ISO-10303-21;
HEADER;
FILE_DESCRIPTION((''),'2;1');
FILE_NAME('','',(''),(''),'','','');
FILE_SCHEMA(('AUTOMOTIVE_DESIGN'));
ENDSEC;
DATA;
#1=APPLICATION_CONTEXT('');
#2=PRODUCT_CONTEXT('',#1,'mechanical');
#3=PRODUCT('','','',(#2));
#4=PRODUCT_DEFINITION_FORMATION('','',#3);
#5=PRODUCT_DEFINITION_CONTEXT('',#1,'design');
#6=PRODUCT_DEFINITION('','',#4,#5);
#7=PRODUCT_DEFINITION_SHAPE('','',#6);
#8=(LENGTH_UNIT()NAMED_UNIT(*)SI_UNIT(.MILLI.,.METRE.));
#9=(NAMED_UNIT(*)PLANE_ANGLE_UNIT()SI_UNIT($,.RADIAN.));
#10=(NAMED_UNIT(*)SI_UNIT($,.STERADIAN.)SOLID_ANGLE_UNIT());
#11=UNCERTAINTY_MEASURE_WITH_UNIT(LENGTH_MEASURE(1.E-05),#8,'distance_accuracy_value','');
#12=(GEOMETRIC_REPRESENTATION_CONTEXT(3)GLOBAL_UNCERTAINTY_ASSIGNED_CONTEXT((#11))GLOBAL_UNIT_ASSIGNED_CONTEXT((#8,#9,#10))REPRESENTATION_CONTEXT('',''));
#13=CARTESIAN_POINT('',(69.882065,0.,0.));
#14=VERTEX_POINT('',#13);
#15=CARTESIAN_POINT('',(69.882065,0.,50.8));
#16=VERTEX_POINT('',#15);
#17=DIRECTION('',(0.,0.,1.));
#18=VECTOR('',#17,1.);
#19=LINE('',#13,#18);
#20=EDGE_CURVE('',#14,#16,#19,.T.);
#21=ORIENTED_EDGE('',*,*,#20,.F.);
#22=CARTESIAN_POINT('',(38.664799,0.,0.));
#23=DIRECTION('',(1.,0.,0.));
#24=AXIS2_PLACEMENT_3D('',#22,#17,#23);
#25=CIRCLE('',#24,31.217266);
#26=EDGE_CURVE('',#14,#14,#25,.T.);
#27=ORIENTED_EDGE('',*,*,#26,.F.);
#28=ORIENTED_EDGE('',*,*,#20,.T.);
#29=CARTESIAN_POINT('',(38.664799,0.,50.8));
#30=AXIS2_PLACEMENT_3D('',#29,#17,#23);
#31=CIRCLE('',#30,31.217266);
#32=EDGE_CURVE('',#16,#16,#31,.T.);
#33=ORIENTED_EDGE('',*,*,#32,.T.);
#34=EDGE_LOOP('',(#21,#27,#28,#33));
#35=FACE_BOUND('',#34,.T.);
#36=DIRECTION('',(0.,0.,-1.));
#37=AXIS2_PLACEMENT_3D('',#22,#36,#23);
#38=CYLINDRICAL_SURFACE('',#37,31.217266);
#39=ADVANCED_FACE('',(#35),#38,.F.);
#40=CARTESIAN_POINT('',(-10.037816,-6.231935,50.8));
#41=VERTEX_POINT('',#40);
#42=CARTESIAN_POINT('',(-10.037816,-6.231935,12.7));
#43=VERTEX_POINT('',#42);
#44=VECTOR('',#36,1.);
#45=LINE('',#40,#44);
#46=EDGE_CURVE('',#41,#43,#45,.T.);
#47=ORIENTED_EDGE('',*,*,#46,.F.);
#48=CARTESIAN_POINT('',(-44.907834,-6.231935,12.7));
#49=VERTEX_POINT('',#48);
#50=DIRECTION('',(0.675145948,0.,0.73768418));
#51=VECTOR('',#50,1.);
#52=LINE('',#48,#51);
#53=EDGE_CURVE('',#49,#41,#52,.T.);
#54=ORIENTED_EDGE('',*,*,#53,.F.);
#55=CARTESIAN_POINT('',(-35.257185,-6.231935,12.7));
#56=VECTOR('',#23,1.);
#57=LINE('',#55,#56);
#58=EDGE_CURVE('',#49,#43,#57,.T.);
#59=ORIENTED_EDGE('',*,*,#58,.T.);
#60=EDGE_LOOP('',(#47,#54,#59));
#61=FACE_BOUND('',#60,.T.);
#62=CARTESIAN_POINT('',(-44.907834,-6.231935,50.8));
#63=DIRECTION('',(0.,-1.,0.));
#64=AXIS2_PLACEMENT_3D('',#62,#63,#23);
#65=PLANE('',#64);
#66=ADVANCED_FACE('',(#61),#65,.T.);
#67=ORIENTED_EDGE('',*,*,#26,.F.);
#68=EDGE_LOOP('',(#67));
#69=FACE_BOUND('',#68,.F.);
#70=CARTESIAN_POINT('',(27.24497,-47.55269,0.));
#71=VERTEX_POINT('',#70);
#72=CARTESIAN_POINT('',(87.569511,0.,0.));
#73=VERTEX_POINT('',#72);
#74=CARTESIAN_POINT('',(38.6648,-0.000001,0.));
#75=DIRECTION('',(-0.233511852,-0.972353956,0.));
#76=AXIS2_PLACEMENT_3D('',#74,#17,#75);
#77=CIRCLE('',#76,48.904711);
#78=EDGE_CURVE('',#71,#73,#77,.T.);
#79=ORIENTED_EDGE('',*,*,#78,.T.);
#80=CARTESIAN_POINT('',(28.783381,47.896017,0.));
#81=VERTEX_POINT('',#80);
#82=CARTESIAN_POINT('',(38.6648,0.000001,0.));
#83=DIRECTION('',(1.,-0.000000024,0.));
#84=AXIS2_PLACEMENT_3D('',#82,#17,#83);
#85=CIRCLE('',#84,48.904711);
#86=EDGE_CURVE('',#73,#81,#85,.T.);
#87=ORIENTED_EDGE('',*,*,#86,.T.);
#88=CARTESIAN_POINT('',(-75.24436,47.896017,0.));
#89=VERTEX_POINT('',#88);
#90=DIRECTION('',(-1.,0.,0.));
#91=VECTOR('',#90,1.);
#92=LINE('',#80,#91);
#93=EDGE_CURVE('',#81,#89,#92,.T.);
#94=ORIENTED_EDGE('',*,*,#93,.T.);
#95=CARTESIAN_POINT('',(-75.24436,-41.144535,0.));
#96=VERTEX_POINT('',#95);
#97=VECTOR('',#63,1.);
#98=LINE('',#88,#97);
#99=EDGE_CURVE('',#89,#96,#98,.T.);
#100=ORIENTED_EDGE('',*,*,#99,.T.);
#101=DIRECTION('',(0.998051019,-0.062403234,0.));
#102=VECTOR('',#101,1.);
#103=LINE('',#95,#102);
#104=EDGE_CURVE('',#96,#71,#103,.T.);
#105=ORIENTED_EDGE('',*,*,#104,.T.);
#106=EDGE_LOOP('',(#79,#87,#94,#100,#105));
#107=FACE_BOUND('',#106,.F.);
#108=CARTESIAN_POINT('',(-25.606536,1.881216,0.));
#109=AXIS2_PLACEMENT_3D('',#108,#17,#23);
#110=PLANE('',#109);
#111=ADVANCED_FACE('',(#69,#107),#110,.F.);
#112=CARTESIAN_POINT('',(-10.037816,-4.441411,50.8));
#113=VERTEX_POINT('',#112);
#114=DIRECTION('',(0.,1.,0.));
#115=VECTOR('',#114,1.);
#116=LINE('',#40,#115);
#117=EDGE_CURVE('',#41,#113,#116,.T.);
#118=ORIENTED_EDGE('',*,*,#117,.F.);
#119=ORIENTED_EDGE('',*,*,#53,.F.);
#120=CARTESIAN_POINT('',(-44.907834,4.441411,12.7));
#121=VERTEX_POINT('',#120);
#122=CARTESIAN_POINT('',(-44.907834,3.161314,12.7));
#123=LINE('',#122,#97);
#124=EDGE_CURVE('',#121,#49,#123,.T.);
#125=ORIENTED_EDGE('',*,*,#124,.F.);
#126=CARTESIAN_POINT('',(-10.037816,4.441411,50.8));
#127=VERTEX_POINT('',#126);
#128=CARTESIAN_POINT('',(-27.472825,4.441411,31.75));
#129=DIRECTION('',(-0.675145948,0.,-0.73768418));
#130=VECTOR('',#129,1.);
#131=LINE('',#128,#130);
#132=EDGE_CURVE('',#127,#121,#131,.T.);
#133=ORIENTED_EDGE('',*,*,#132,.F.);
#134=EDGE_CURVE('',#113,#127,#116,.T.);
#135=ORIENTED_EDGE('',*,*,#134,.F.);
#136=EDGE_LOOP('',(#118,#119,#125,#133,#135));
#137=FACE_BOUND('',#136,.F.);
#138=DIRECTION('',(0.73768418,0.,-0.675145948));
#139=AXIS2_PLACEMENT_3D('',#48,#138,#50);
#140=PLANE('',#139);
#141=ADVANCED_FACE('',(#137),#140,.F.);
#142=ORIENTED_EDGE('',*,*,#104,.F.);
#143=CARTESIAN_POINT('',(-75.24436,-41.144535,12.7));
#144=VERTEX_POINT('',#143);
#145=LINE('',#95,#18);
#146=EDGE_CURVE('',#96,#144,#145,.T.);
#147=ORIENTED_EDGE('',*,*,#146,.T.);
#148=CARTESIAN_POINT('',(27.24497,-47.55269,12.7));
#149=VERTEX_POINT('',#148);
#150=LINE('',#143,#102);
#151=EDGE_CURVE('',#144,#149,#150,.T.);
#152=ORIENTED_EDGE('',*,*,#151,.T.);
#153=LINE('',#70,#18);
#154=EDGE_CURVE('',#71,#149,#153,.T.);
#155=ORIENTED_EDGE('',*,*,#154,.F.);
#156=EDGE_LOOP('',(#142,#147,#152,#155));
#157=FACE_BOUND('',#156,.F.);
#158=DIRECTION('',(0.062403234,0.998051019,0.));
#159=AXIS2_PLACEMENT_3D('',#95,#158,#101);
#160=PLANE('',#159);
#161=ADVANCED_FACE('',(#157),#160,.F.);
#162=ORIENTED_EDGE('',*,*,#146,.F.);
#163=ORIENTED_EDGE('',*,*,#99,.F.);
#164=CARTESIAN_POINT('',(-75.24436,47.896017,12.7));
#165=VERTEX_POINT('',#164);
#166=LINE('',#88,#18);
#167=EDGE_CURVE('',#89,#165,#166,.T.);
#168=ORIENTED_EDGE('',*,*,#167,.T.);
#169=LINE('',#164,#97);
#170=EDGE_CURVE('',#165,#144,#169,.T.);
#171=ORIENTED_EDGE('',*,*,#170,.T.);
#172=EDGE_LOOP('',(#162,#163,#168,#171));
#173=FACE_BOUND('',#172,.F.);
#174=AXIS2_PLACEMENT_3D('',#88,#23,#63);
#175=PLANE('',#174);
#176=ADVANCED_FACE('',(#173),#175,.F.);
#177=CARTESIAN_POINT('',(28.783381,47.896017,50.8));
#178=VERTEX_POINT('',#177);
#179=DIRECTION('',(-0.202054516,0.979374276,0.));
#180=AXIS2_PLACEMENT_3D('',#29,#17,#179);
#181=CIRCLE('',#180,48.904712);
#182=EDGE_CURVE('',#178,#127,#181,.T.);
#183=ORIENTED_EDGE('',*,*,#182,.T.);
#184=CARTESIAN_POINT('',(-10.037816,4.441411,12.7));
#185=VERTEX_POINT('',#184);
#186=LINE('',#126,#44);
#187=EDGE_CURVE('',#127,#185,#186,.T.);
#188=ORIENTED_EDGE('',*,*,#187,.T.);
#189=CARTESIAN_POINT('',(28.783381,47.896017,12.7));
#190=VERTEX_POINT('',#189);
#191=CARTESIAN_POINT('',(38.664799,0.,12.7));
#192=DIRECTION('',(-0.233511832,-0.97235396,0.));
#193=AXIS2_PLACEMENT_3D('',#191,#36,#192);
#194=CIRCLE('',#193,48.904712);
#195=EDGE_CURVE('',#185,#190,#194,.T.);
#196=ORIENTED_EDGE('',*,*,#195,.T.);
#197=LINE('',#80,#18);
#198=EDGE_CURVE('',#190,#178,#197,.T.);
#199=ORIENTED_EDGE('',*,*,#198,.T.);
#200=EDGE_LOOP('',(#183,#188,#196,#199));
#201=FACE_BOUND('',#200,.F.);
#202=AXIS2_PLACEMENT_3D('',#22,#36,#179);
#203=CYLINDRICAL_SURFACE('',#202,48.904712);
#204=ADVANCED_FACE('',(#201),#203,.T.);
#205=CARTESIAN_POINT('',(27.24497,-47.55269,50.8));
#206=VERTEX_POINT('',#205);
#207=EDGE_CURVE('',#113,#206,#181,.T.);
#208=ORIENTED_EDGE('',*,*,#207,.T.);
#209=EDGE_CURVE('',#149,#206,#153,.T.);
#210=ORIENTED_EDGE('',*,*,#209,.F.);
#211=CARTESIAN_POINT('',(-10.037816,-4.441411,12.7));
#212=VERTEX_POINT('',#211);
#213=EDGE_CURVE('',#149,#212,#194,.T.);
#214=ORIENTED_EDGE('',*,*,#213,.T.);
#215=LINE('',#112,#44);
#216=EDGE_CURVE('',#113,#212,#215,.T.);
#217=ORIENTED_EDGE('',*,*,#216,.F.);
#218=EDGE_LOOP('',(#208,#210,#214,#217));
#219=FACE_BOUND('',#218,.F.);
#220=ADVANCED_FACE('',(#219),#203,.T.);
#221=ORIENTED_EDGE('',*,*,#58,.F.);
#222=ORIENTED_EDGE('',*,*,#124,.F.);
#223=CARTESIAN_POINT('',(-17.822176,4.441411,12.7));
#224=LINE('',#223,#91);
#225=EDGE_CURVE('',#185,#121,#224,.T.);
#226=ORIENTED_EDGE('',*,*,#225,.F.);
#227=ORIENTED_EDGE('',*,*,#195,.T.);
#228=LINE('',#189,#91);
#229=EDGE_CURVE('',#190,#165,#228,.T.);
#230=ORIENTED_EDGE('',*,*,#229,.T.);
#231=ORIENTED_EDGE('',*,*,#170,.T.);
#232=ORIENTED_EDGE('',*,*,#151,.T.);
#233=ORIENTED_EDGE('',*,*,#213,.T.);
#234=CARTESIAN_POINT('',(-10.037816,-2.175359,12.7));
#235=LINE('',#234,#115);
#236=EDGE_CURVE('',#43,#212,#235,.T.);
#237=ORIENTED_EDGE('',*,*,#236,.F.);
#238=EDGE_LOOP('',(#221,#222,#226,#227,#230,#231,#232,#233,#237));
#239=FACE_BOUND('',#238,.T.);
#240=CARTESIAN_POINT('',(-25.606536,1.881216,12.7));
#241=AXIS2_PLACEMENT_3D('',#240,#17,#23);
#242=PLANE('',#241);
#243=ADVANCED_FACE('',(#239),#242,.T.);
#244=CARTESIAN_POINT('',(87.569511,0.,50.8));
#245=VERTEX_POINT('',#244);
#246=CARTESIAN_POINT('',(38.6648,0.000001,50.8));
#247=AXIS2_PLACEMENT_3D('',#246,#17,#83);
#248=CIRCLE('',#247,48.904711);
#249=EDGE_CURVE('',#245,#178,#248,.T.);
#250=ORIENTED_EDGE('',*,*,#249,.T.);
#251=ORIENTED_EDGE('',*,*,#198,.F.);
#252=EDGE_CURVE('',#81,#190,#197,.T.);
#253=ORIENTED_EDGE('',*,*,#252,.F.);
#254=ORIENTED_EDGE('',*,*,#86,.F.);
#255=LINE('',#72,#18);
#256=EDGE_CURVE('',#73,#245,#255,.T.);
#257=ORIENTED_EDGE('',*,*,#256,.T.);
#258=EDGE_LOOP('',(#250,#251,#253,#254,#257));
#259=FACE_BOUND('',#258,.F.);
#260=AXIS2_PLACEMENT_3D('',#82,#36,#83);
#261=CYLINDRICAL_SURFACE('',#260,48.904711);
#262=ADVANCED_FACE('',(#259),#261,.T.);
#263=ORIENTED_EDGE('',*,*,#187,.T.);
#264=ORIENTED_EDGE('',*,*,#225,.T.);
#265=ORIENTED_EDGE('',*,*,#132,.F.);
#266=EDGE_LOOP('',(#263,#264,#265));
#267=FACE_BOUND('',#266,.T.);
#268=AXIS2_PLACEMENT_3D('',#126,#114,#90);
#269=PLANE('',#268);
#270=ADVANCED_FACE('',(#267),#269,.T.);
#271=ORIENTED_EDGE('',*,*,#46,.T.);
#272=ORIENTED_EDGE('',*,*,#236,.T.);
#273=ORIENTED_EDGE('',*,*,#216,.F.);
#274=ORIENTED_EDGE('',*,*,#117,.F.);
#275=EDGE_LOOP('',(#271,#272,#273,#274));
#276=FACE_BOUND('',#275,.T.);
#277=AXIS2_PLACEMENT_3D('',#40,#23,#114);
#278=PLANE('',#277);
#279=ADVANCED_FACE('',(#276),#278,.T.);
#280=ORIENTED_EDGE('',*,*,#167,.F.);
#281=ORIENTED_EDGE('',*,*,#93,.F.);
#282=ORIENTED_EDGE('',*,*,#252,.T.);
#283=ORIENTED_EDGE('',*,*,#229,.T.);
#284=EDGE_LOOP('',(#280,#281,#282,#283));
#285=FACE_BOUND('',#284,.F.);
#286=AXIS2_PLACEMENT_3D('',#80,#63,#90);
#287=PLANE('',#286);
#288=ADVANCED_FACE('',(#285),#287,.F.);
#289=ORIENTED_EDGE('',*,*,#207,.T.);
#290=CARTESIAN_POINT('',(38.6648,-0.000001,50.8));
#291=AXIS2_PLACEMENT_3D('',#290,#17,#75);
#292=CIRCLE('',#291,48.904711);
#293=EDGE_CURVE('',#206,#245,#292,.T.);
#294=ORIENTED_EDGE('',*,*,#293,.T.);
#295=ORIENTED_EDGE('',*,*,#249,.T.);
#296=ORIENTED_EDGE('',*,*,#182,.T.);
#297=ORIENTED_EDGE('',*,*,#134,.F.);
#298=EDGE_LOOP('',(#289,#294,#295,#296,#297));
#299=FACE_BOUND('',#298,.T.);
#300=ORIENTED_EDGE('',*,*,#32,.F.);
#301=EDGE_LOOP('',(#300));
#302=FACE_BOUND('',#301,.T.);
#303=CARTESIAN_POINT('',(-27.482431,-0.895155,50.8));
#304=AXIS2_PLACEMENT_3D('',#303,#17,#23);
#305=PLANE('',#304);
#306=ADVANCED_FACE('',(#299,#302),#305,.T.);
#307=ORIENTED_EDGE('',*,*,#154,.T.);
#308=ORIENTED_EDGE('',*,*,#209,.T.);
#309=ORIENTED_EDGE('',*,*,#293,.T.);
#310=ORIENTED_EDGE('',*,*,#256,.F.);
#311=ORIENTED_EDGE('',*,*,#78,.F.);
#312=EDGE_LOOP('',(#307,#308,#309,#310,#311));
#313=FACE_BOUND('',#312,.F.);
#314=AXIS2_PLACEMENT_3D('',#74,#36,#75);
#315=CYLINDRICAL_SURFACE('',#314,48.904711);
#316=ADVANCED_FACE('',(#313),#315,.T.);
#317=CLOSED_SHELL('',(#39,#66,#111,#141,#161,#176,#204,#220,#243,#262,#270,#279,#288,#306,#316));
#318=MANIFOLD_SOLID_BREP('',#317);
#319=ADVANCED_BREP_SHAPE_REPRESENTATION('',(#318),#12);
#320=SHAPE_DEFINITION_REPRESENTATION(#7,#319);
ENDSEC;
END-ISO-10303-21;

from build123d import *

# Parameters (mm, degrees)
F0_R     = 31.217266
F1_DEPTH = 50.8
F2_DEPTH = 12.7
F4_DEPTH = 38.862
F6_DEPTH = 177.8


with BuildPart() as f1:
    # F0 (on Top) → F1 (new body)
    with BuildSketch(Plane.XY):
        with BuildLine():
            ThreePointArc((27.24497, -47.55269), (68.940098, -38.406733), (87.569511, 0))
            ThreePointArc((87.569511, 0), (69.555113, 37.913842), (28.783381, 47.896017))
            ThreePointArc((28.783381, 47.896017), (-10.233562, 0.788128), (27.24497, -47.55269))
        make_face()
        with Locations((38.664799, 0)):
            Circle(F0_R, mode=Mode.SUBTRACT)
    extrude(amount=F1_DEPTH)

    # F0 (on Top) → F2 (join)
    with BuildSketch(Plane.XY):
        with BuildLine():
            ThreePointArc((27.24497, -47.55269), (-10.233562, 0.788128), (28.783381, 47.896017))
            Line((28.783381, 47.896017), (-75.24436, 47.896017))
            Line((-75.24436, 47.896017), (-75.24436, -41.144535))
            Line((-75.24436, -41.144535), (27.24497, -47.55269))
        make_face()
    extrude(amount=F2_DEPTH)

    # F3 (on face) → F4 (join)
    with BuildSketch(Plane.XY.offset(50.8)):
        with BuildLine():
            ThreePointArc((-10.037816, -4.441411), (-10.239913, 0), (-10.037816, 4.441411))
            Line((-10.037816, 4.441411), (-44.907834, 4.441411))
            Line((-44.907834, 4.441411), (-44.907834, -6.231935))
            Line((-44.907834, -6.231935), (-10.037816, -6.231935))
            Line((-10.037816, -6.231935), (-10.037816, -4.441411))
        make_face()
    extrude(amount=-F4_DEPTH)

    # F5 (on face) → F6 (cut)
    with BuildSketch(Plane.XZ.offset(6.231935)):
        Polygon((-44.907834, 50.8), (-44.907834, 12.7), (-10.037816, 50.8), align=None)
    extrude(amount=-F6_DEPTH, mode=Mode.SUBTRACT)


solid = f1.part
